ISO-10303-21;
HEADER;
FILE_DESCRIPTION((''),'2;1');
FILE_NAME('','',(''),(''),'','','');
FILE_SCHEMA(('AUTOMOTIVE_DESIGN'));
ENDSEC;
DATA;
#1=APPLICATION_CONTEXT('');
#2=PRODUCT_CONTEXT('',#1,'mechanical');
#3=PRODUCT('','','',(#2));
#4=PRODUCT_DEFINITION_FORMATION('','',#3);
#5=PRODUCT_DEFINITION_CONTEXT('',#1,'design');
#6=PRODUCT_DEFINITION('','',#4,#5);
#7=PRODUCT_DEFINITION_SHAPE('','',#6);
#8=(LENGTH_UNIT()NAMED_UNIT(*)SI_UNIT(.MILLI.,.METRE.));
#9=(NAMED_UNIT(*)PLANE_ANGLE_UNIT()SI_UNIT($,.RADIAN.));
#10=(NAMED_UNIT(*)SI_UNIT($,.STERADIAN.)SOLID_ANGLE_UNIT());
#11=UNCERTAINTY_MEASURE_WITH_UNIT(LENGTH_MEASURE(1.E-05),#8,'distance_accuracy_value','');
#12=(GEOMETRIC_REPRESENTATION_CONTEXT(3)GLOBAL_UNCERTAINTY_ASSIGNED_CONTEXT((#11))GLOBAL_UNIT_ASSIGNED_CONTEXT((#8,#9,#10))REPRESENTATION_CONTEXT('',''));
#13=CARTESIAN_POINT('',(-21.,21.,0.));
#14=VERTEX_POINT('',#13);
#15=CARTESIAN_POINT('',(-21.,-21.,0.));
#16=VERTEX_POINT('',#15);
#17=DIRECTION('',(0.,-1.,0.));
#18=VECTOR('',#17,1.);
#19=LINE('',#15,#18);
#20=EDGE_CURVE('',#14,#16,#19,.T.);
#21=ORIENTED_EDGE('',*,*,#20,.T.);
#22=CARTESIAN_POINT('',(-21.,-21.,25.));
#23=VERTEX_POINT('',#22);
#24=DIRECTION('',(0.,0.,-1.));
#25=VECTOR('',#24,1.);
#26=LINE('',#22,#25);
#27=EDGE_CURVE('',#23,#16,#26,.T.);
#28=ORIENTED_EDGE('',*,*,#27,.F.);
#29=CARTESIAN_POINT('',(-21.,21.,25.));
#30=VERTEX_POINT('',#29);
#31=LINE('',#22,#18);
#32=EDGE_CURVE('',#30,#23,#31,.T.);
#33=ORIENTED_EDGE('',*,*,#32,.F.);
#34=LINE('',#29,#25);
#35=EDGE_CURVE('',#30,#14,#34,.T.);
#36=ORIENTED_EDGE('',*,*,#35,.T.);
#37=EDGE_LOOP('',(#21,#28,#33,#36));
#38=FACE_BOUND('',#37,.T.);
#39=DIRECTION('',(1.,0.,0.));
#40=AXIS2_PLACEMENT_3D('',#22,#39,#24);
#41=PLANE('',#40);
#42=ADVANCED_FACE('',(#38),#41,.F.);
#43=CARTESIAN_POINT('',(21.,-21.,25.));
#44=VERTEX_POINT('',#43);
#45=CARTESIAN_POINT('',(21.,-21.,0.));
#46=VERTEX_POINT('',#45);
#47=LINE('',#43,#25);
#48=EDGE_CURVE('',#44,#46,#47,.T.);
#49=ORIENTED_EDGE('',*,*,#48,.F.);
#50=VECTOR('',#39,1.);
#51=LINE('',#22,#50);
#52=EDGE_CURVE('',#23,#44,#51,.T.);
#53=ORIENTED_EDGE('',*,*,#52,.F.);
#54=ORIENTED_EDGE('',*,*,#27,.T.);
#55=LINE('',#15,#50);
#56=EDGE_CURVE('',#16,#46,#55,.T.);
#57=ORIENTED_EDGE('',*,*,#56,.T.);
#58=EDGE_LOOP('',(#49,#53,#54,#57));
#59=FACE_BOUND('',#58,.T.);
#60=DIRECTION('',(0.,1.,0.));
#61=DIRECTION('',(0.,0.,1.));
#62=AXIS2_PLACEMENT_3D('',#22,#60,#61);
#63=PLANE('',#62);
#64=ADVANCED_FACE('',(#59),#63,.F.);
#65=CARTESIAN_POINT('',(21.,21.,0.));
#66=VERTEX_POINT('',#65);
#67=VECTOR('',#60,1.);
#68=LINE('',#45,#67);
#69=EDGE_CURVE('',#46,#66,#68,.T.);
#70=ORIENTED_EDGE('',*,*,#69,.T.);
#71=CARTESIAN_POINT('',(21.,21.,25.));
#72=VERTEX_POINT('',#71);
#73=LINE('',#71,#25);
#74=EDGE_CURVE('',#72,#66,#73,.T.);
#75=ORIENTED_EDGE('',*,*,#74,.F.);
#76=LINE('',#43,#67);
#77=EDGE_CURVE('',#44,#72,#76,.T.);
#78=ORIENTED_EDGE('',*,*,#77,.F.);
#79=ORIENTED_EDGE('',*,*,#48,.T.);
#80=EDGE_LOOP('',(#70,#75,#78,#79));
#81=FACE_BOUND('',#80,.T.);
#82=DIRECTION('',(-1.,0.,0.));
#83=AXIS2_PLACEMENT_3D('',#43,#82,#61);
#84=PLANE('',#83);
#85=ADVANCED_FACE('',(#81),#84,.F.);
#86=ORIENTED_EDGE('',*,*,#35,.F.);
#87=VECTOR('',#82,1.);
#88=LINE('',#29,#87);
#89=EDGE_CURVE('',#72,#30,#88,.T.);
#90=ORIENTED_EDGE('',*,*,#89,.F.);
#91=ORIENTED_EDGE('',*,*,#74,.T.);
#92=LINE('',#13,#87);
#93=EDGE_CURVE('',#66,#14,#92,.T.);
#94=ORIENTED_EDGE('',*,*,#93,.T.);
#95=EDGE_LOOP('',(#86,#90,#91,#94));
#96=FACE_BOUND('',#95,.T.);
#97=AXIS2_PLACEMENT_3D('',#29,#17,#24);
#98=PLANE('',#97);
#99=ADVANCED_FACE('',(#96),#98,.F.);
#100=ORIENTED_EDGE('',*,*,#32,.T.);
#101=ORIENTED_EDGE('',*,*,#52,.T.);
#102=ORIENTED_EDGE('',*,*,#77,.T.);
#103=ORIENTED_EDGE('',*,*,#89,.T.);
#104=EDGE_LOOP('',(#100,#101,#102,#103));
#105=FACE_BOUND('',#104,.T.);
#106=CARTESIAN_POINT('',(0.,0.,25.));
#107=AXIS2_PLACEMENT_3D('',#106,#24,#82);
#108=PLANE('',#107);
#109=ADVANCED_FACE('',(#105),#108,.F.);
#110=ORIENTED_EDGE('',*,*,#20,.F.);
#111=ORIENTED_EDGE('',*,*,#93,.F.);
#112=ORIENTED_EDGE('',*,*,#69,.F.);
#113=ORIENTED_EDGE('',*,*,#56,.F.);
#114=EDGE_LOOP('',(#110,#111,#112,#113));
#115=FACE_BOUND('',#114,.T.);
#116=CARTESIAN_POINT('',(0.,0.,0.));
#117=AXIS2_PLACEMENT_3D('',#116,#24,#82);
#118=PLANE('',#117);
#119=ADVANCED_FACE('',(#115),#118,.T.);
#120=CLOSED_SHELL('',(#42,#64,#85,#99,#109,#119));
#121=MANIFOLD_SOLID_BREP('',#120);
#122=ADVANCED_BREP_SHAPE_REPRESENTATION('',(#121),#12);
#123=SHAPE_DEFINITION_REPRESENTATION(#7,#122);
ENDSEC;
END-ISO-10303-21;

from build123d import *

# Parameters (mm, degrees)
ESBO_O1_W                = 42
ESBO_O1_H                = 42
RESSALTO_EXTRUS_O1_DEPTH = 25


with BuildPart() as part:
    # Esboço1 → Ressalto-extrusão1 (new body)
    with BuildSketch(Plane.XY):
        Rectangle(ESBO_O1_W, ESBO_O1_H)
    extrude(amount=RESSALTO_EXTRUS_O1_DEPTH)


solid = part.part
